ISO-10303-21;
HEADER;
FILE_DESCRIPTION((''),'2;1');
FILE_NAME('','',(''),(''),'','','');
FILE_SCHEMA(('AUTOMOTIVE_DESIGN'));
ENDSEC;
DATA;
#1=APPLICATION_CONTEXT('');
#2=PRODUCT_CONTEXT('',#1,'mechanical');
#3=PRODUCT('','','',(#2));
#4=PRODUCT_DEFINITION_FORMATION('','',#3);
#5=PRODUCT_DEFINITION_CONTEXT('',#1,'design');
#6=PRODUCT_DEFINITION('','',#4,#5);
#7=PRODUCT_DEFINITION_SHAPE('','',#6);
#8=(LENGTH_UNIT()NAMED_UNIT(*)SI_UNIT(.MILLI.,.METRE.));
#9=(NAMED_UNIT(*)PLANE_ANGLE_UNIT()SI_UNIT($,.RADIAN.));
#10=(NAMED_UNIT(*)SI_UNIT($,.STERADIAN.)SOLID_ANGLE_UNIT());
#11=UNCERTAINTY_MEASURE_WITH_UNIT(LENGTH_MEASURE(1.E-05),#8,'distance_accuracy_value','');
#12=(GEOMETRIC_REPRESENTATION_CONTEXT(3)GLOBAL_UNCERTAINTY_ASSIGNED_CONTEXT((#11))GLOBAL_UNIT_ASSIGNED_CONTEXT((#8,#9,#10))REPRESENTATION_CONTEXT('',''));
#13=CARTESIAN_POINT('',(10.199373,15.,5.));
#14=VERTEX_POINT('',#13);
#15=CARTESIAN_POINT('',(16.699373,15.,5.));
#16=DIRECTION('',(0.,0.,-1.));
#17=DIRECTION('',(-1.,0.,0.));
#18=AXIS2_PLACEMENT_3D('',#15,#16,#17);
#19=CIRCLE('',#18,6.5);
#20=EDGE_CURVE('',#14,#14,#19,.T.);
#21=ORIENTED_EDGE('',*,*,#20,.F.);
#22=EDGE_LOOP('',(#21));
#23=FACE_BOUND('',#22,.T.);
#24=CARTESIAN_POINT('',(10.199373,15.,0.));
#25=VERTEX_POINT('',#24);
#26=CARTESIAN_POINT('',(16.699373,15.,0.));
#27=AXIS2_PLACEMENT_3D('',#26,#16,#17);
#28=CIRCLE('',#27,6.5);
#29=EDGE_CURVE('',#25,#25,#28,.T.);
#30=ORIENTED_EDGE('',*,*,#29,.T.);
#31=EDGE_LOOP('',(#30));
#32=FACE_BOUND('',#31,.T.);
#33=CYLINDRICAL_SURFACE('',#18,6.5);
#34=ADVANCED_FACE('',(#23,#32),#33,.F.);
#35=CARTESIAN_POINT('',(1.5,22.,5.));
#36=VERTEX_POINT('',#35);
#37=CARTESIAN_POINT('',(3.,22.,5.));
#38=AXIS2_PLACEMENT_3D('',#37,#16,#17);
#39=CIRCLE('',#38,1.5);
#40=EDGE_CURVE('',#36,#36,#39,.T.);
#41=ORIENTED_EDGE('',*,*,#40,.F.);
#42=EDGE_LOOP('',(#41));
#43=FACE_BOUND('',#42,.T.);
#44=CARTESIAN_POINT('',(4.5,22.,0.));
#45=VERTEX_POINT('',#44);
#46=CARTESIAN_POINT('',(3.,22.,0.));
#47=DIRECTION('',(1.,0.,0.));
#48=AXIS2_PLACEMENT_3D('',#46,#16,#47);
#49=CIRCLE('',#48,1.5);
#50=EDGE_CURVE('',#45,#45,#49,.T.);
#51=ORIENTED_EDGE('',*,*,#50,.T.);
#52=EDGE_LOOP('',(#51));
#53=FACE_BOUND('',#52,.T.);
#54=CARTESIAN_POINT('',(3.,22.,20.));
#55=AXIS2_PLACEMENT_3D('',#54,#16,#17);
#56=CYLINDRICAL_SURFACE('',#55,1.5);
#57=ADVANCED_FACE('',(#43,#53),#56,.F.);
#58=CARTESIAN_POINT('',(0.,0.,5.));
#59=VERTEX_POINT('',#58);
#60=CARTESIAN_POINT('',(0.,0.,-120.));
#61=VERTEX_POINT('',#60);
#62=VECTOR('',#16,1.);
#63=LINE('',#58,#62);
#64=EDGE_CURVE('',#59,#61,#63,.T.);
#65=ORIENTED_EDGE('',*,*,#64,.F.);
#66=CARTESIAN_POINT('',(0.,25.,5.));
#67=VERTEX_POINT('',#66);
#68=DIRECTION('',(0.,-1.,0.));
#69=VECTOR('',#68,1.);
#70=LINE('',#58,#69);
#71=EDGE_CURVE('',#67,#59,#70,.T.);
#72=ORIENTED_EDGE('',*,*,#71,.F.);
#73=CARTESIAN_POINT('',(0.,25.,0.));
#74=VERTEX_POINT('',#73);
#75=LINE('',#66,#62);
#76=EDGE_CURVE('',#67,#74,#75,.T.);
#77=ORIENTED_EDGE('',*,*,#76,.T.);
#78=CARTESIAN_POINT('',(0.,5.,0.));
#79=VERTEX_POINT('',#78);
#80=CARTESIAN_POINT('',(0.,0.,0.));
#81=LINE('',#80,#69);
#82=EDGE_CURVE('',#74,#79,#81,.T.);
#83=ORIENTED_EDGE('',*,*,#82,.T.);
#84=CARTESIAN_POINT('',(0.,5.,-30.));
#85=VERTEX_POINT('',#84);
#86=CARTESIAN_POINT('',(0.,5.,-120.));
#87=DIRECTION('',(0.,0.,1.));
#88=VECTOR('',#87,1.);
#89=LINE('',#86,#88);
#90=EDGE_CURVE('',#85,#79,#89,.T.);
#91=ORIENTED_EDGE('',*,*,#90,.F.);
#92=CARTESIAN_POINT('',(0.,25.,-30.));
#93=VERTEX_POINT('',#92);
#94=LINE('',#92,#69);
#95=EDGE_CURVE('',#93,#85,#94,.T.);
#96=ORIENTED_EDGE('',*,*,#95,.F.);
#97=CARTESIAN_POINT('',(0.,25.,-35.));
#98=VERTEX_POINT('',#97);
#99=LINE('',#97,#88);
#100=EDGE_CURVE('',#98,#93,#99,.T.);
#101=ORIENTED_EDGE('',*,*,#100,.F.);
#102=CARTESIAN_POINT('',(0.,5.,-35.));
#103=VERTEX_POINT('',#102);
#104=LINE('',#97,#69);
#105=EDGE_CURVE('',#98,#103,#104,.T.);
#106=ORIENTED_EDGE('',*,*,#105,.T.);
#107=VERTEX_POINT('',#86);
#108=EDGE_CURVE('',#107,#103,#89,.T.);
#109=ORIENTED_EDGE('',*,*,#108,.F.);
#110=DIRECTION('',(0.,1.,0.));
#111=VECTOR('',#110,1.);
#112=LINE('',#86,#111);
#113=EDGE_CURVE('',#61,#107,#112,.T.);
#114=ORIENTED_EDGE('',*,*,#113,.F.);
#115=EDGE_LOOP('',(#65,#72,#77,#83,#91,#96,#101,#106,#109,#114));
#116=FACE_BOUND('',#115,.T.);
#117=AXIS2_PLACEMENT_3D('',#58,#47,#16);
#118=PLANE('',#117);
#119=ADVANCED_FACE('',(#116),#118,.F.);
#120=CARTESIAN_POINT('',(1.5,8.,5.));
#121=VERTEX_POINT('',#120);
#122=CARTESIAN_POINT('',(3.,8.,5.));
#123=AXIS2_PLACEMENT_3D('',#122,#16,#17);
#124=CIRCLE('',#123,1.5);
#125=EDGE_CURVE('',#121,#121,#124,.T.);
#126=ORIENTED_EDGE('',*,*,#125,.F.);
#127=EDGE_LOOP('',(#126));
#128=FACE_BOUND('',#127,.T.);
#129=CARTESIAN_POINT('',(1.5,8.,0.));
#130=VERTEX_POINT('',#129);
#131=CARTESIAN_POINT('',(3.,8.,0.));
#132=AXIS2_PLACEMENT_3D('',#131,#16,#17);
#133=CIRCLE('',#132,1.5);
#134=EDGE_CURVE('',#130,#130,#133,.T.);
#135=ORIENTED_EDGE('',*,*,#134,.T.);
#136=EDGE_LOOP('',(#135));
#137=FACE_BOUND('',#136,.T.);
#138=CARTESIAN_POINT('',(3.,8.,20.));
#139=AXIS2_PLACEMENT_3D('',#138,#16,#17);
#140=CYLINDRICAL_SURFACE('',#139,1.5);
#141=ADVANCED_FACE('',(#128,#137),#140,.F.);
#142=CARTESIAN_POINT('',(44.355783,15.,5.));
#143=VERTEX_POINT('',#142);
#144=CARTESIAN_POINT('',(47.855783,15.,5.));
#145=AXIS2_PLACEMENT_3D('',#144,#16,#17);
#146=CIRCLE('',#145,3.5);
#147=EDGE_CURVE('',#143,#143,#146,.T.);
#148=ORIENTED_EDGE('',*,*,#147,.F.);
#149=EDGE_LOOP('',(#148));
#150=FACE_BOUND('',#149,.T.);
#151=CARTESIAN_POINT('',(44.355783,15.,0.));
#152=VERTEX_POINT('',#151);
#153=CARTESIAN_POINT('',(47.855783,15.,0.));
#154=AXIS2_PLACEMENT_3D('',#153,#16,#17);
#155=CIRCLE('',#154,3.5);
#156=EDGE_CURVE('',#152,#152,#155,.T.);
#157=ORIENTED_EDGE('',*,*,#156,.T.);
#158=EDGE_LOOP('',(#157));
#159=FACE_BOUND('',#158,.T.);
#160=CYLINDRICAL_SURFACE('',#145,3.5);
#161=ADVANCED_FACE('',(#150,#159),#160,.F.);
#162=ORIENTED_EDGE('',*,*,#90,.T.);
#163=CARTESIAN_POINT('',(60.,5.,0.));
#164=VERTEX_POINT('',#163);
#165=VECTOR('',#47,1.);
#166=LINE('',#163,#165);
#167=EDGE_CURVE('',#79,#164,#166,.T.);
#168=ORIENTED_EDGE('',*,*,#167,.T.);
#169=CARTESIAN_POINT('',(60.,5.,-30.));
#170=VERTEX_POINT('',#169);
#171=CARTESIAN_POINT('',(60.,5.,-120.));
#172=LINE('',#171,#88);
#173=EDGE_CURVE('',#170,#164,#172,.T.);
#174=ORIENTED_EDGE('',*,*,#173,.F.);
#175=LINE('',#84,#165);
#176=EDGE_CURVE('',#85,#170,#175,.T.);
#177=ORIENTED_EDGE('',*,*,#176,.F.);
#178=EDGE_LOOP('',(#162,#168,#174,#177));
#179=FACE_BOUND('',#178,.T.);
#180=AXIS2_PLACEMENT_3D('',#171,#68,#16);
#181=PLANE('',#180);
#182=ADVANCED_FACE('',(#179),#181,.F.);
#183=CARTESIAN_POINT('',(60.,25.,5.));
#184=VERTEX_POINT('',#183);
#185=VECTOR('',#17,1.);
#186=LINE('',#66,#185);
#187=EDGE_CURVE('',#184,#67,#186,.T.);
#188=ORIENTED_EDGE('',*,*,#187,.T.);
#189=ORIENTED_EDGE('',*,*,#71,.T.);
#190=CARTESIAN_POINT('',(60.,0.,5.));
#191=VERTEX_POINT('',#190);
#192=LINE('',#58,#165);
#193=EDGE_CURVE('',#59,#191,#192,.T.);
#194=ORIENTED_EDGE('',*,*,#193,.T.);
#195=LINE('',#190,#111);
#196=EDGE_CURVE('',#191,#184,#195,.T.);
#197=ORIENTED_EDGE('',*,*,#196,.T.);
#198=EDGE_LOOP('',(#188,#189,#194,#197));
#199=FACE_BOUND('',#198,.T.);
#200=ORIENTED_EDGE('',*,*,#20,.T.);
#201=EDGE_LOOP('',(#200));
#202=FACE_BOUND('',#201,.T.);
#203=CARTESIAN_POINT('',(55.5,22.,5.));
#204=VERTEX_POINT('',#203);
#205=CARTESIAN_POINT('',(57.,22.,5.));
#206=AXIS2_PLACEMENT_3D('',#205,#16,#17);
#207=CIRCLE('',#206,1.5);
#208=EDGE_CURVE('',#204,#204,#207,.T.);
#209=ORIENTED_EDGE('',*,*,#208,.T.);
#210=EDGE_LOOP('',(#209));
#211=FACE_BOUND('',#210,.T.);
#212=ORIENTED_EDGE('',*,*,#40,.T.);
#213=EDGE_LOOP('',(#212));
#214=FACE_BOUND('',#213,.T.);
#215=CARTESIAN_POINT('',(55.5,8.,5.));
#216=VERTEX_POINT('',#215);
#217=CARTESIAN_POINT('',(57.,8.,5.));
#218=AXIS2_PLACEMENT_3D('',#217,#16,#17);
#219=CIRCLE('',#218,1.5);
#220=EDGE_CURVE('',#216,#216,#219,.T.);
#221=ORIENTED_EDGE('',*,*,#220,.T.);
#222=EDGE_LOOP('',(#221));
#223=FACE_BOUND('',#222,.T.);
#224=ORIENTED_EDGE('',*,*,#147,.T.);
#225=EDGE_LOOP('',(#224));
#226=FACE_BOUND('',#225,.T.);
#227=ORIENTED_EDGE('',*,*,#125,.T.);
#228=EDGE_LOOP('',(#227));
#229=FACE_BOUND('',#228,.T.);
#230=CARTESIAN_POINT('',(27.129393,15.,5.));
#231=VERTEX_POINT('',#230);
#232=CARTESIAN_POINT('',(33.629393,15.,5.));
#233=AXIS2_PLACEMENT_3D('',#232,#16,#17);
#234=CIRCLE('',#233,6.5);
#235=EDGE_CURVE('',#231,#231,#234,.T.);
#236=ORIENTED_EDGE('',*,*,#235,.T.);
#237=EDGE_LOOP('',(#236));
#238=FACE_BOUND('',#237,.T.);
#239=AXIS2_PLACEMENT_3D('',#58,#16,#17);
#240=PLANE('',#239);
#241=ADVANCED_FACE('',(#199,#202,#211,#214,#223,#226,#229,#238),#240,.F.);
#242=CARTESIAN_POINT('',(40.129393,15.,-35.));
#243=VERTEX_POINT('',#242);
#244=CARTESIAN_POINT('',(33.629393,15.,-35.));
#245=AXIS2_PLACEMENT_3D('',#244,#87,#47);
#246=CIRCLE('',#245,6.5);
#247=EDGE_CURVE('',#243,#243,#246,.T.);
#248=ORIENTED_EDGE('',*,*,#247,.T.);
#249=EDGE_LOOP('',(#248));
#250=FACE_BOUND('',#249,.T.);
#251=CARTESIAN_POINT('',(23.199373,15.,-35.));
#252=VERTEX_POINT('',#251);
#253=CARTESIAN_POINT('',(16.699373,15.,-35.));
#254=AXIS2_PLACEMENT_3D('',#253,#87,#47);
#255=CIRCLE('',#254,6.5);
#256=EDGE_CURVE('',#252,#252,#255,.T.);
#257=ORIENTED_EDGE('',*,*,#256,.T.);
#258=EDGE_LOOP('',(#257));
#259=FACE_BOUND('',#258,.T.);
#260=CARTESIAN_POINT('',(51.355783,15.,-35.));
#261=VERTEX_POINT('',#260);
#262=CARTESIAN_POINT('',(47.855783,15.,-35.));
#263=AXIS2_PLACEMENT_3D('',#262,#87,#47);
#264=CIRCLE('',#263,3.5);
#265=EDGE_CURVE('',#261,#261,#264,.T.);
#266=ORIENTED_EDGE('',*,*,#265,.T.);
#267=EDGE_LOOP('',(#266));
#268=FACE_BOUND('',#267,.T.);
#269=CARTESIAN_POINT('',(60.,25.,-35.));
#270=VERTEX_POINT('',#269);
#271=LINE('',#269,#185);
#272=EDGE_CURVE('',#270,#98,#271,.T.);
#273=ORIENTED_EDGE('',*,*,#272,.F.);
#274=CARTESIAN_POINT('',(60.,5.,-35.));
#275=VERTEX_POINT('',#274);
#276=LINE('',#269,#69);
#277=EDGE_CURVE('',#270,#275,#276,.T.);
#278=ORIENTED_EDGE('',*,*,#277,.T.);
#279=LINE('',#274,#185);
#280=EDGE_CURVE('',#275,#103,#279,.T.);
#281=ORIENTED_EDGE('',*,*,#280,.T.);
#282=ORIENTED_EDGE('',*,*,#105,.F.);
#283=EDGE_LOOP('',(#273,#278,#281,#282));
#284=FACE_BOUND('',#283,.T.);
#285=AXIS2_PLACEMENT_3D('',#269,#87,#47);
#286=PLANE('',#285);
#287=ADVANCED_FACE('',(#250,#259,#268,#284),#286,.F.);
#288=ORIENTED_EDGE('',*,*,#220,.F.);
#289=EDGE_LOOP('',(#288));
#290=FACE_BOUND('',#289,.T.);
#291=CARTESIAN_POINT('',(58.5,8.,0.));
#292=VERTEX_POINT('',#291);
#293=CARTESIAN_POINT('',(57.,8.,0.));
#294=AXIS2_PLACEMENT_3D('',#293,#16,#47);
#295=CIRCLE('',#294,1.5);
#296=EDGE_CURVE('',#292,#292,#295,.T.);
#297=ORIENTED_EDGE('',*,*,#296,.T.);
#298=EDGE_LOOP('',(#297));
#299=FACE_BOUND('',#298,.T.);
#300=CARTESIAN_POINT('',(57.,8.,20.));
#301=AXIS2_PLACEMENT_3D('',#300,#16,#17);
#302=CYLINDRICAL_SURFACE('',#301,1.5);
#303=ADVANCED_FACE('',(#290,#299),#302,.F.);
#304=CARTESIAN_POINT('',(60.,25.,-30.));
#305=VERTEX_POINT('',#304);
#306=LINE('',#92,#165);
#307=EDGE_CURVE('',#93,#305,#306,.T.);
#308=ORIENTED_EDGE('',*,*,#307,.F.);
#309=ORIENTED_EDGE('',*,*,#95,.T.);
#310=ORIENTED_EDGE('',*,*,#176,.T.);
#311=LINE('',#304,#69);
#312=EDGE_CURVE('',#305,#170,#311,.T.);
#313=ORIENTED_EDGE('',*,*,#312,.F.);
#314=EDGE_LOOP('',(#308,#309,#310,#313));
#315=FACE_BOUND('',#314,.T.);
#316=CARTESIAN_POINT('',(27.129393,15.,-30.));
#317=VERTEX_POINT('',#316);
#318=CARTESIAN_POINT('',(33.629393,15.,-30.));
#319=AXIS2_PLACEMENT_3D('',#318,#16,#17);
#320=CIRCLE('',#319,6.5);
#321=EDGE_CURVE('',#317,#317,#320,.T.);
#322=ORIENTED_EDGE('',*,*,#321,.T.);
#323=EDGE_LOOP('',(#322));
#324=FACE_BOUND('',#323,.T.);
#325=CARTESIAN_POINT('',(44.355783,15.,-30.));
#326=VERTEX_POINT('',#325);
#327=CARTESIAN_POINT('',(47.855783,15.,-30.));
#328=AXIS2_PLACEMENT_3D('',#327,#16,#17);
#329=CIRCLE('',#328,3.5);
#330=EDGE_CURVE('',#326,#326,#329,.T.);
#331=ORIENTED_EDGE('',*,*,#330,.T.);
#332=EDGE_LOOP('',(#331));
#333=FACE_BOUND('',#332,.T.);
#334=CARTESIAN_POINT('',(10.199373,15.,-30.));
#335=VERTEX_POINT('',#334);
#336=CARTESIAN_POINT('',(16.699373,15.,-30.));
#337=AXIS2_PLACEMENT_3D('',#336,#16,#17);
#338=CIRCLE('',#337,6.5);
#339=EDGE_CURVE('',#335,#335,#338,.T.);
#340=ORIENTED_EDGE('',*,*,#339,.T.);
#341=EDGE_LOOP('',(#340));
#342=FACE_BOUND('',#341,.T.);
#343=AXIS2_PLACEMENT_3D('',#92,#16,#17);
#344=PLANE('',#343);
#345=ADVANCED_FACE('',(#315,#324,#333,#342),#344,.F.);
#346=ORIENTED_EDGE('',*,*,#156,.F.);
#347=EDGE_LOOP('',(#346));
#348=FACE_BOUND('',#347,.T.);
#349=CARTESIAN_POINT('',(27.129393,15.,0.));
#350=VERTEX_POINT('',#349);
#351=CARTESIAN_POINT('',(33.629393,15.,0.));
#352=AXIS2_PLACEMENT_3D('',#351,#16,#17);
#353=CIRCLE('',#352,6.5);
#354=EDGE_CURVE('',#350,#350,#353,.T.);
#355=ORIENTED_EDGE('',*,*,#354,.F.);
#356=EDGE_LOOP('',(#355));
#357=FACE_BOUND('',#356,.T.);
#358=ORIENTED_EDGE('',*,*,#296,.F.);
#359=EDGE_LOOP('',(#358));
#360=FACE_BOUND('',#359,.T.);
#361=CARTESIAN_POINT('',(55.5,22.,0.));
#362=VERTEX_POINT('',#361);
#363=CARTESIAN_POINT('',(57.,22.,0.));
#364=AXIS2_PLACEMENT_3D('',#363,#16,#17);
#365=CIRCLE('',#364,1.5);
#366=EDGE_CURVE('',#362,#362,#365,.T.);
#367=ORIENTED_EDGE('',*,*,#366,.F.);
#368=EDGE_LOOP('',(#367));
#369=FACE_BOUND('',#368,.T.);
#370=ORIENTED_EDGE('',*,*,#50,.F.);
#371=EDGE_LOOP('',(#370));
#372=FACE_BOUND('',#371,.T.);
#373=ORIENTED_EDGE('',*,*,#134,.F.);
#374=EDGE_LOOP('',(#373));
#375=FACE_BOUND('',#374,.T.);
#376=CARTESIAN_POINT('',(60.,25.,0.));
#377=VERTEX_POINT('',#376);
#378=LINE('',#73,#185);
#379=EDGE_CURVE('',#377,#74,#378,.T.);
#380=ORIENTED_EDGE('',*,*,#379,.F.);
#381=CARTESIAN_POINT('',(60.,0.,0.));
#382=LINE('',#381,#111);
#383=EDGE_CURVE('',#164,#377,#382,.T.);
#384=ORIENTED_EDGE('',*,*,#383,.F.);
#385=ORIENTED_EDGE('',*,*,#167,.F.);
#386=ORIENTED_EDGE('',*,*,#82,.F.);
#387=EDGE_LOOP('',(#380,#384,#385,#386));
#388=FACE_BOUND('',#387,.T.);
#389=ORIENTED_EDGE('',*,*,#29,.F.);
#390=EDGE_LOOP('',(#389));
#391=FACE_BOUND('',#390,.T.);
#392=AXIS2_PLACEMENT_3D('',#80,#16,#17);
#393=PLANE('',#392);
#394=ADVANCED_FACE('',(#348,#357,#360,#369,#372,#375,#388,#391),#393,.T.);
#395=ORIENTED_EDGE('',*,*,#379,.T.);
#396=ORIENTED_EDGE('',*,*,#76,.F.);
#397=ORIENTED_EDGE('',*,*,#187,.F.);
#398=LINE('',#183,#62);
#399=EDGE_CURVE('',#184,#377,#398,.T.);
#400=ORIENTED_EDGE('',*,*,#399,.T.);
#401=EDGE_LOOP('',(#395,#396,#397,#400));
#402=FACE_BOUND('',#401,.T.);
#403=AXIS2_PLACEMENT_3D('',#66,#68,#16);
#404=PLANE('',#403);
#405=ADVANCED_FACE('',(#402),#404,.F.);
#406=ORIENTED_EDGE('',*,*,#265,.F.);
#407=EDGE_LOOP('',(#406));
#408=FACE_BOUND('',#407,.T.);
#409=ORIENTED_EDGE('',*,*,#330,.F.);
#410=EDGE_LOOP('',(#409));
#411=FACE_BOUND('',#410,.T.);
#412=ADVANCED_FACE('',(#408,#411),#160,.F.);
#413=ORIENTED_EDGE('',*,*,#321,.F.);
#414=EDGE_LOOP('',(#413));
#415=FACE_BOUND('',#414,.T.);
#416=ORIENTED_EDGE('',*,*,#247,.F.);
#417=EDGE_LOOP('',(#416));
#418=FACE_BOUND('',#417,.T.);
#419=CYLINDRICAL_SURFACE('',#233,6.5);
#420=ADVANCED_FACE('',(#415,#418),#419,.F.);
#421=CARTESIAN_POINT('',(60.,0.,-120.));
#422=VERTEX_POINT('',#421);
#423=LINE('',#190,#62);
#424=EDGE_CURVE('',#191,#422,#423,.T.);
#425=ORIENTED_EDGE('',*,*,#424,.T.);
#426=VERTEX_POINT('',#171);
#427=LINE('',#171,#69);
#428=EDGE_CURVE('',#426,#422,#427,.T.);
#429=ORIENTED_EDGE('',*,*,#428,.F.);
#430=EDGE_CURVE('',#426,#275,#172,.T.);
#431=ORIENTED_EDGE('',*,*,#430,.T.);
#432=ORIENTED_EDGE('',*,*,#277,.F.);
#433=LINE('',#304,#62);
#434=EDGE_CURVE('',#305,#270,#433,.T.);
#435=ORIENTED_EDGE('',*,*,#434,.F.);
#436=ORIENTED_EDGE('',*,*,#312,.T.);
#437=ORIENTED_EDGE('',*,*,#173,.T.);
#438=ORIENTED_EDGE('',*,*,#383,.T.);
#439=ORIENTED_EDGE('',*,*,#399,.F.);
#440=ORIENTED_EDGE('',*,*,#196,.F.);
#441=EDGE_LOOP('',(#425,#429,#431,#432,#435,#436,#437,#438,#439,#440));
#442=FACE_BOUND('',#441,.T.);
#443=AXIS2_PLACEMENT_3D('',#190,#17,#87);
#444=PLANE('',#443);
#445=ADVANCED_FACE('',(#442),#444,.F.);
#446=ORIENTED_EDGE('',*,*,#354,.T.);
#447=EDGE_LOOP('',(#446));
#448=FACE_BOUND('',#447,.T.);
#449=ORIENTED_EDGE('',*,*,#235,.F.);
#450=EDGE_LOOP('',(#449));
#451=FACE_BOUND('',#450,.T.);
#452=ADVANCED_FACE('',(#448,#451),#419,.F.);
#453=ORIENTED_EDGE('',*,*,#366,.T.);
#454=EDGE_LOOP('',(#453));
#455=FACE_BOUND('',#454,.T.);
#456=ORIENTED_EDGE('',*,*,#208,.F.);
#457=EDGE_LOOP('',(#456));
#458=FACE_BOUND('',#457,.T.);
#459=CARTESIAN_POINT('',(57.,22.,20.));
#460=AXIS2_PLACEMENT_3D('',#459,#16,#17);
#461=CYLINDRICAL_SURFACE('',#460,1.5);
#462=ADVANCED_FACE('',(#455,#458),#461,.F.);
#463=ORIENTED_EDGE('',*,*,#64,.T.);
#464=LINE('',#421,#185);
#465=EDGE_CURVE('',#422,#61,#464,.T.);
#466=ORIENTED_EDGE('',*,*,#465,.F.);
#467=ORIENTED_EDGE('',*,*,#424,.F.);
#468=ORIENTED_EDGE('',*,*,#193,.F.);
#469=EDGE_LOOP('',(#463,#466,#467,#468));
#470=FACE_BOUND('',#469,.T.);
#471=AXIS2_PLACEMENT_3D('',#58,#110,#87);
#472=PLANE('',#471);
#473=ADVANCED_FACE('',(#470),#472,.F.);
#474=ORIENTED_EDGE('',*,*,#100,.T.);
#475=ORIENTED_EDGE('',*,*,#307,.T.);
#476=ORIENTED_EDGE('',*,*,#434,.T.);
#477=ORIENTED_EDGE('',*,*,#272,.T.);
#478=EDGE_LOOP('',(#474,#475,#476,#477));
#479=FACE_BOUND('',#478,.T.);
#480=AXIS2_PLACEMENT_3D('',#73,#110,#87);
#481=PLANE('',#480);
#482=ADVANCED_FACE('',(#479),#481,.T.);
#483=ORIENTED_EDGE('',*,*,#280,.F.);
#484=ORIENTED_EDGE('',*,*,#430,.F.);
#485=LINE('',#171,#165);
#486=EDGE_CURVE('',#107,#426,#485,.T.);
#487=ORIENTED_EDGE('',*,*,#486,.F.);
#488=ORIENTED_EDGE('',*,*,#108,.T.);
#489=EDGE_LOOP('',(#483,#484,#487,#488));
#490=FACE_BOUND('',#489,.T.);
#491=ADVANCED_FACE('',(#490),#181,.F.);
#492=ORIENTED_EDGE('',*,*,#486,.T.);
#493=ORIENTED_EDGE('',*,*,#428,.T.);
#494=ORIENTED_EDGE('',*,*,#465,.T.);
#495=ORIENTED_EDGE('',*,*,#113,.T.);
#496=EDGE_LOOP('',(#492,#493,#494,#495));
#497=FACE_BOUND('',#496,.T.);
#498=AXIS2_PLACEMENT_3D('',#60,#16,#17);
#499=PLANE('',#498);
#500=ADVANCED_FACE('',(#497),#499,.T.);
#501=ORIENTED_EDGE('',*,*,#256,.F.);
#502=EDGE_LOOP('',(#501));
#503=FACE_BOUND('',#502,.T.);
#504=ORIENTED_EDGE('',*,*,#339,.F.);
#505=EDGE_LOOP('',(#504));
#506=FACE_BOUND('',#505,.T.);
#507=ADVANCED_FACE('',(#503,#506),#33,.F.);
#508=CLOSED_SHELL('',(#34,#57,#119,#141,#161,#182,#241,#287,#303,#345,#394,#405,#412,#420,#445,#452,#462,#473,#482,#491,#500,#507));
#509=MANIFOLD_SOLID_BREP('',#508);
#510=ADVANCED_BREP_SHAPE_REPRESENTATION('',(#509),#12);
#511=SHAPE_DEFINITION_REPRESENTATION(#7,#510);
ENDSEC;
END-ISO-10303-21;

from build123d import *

# Parameters (mm, degrees)
SKETCH_1_W               = 60
SKETCH_1_H               = 25
EXTRUDE_1_DEPTH          = 5
SKETCH_2_W               = 60
SKETCH_2_H               = 5
EXTRUDE_2_DEPTH          = 120
SKETCH_3_W               = 60
SKETCH_3_H               = 5
EXTRUDE_3_DEPTH          = 20
SKETCH_4_R               = 1.5
CUT_EXTRUDE_1_DEPTH      = 20
SKETCH_5_R               = 6.5
CUT_EXTRUDE_2_DEPTH      = 121
CUT_EXTRUDE_2_DEPTH_BACK = 6
SKETCH_6_R               = 3.5
CUT_EXTRUDE_3_DEPTH      = 121
CUT_EXTRUDE_3_DEPTH_BACK = 6


with BuildPart() as part:
    # 스케치1 → 보스-돌출1 (new body)
    with BuildSketch(Plane.XY):
        with Locations((30, 12.5)):
            Rectangle(SKETCH_1_W, SKETCH_1_H)
    extrude(amount=EXTRUDE_1_DEPTH)

    # 스케치2 → 보스-돌출2 (add)
    with BuildSketch(Plane(origin=(0, 0, 0), x_dir=(-1, 0, 0), z_dir=(0, 0, -1))):
        with Locations((-30, 2.5)):
            Rectangle(SKETCH_2_W, SKETCH_2_H)
    extrude(amount=EXTRUDE_2_DEPTH)

    # 스케치3 → 보스-돌출3 (add)
    with BuildSketch(Plane(origin=(0, 5, 0), x_dir=(1, 0, 0), z_dir=(0, 1, 0))):
        with Locations((30, 32.5)):
            Rectangle(SKETCH_3_W, SKETCH_3_H)
    extrude(amount=EXTRUDE_3_DEPTH)

    # 스케치4 → 컷-돌출1 (cut)
    with BuildSketch(Plane(origin=(0, 0, 0), x_dir=(-1, 0, 0), z_dir=(0, 0, -1))):
        with Locations((-57, 22)):
            Circle(SKETCH_4_R)
        with Locations((-57, 8)):
            Circle(SKETCH_4_R)
        with Locations((-3, 22)):
            Circle(SKETCH_4_R)
        with Locations((-3, 8)):
            Circle(SKETCH_4_R)
    extrude(amount=-CUT_EXTRUDE_1_DEPTH, mode=Mode.SUBTRACT)

    # 스케치5 → 컷-돌출2 (cut, two sides)
    with BuildSketch(Plane(origin=(0, 0, 0), x_dir=(-1, 0, 0), z_dir=(0, 0, -1))) as cut_extrude_2_sk:
        with Locations((-33.62939322, 15)):
            Circle(SKETCH_5_R)
        with Locations((-16.699372841, 15)):
            Circle(SKETCH_5_R)
    extrude(amount=CUT_EXTRUDE_2_DEPTH, mode=Mode.SUBTRACT)
    extrude(cut_extrude_2_sk.sketch, amount=-CUT_EXTRUDE_2_DEPTH_BACK, mode=Mode.SUBTRACT)

    # 스케치6 → 컷-돌출3 (cut, two sides)
    with BuildSketch(Plane(origin=(0, 0, 0), x_dir=(-1, 0, 0), z_dir=(0, 0, -1))) as cut_extrude_3_sk:
        with Locations((-47.855782548, 15)):
            Circle(SKETCH_6_R)
    extrude(amount=CUT_EXTRUDE_3_DEPTH, mode=Mode.SUBTRACT)
    extrude(cut_extrude_3_sk.sketch, amount=-CUT_EXTRUDE_3_DEPTH_BACK, mode=Mode.SUBTRACT)


solid = part.part
